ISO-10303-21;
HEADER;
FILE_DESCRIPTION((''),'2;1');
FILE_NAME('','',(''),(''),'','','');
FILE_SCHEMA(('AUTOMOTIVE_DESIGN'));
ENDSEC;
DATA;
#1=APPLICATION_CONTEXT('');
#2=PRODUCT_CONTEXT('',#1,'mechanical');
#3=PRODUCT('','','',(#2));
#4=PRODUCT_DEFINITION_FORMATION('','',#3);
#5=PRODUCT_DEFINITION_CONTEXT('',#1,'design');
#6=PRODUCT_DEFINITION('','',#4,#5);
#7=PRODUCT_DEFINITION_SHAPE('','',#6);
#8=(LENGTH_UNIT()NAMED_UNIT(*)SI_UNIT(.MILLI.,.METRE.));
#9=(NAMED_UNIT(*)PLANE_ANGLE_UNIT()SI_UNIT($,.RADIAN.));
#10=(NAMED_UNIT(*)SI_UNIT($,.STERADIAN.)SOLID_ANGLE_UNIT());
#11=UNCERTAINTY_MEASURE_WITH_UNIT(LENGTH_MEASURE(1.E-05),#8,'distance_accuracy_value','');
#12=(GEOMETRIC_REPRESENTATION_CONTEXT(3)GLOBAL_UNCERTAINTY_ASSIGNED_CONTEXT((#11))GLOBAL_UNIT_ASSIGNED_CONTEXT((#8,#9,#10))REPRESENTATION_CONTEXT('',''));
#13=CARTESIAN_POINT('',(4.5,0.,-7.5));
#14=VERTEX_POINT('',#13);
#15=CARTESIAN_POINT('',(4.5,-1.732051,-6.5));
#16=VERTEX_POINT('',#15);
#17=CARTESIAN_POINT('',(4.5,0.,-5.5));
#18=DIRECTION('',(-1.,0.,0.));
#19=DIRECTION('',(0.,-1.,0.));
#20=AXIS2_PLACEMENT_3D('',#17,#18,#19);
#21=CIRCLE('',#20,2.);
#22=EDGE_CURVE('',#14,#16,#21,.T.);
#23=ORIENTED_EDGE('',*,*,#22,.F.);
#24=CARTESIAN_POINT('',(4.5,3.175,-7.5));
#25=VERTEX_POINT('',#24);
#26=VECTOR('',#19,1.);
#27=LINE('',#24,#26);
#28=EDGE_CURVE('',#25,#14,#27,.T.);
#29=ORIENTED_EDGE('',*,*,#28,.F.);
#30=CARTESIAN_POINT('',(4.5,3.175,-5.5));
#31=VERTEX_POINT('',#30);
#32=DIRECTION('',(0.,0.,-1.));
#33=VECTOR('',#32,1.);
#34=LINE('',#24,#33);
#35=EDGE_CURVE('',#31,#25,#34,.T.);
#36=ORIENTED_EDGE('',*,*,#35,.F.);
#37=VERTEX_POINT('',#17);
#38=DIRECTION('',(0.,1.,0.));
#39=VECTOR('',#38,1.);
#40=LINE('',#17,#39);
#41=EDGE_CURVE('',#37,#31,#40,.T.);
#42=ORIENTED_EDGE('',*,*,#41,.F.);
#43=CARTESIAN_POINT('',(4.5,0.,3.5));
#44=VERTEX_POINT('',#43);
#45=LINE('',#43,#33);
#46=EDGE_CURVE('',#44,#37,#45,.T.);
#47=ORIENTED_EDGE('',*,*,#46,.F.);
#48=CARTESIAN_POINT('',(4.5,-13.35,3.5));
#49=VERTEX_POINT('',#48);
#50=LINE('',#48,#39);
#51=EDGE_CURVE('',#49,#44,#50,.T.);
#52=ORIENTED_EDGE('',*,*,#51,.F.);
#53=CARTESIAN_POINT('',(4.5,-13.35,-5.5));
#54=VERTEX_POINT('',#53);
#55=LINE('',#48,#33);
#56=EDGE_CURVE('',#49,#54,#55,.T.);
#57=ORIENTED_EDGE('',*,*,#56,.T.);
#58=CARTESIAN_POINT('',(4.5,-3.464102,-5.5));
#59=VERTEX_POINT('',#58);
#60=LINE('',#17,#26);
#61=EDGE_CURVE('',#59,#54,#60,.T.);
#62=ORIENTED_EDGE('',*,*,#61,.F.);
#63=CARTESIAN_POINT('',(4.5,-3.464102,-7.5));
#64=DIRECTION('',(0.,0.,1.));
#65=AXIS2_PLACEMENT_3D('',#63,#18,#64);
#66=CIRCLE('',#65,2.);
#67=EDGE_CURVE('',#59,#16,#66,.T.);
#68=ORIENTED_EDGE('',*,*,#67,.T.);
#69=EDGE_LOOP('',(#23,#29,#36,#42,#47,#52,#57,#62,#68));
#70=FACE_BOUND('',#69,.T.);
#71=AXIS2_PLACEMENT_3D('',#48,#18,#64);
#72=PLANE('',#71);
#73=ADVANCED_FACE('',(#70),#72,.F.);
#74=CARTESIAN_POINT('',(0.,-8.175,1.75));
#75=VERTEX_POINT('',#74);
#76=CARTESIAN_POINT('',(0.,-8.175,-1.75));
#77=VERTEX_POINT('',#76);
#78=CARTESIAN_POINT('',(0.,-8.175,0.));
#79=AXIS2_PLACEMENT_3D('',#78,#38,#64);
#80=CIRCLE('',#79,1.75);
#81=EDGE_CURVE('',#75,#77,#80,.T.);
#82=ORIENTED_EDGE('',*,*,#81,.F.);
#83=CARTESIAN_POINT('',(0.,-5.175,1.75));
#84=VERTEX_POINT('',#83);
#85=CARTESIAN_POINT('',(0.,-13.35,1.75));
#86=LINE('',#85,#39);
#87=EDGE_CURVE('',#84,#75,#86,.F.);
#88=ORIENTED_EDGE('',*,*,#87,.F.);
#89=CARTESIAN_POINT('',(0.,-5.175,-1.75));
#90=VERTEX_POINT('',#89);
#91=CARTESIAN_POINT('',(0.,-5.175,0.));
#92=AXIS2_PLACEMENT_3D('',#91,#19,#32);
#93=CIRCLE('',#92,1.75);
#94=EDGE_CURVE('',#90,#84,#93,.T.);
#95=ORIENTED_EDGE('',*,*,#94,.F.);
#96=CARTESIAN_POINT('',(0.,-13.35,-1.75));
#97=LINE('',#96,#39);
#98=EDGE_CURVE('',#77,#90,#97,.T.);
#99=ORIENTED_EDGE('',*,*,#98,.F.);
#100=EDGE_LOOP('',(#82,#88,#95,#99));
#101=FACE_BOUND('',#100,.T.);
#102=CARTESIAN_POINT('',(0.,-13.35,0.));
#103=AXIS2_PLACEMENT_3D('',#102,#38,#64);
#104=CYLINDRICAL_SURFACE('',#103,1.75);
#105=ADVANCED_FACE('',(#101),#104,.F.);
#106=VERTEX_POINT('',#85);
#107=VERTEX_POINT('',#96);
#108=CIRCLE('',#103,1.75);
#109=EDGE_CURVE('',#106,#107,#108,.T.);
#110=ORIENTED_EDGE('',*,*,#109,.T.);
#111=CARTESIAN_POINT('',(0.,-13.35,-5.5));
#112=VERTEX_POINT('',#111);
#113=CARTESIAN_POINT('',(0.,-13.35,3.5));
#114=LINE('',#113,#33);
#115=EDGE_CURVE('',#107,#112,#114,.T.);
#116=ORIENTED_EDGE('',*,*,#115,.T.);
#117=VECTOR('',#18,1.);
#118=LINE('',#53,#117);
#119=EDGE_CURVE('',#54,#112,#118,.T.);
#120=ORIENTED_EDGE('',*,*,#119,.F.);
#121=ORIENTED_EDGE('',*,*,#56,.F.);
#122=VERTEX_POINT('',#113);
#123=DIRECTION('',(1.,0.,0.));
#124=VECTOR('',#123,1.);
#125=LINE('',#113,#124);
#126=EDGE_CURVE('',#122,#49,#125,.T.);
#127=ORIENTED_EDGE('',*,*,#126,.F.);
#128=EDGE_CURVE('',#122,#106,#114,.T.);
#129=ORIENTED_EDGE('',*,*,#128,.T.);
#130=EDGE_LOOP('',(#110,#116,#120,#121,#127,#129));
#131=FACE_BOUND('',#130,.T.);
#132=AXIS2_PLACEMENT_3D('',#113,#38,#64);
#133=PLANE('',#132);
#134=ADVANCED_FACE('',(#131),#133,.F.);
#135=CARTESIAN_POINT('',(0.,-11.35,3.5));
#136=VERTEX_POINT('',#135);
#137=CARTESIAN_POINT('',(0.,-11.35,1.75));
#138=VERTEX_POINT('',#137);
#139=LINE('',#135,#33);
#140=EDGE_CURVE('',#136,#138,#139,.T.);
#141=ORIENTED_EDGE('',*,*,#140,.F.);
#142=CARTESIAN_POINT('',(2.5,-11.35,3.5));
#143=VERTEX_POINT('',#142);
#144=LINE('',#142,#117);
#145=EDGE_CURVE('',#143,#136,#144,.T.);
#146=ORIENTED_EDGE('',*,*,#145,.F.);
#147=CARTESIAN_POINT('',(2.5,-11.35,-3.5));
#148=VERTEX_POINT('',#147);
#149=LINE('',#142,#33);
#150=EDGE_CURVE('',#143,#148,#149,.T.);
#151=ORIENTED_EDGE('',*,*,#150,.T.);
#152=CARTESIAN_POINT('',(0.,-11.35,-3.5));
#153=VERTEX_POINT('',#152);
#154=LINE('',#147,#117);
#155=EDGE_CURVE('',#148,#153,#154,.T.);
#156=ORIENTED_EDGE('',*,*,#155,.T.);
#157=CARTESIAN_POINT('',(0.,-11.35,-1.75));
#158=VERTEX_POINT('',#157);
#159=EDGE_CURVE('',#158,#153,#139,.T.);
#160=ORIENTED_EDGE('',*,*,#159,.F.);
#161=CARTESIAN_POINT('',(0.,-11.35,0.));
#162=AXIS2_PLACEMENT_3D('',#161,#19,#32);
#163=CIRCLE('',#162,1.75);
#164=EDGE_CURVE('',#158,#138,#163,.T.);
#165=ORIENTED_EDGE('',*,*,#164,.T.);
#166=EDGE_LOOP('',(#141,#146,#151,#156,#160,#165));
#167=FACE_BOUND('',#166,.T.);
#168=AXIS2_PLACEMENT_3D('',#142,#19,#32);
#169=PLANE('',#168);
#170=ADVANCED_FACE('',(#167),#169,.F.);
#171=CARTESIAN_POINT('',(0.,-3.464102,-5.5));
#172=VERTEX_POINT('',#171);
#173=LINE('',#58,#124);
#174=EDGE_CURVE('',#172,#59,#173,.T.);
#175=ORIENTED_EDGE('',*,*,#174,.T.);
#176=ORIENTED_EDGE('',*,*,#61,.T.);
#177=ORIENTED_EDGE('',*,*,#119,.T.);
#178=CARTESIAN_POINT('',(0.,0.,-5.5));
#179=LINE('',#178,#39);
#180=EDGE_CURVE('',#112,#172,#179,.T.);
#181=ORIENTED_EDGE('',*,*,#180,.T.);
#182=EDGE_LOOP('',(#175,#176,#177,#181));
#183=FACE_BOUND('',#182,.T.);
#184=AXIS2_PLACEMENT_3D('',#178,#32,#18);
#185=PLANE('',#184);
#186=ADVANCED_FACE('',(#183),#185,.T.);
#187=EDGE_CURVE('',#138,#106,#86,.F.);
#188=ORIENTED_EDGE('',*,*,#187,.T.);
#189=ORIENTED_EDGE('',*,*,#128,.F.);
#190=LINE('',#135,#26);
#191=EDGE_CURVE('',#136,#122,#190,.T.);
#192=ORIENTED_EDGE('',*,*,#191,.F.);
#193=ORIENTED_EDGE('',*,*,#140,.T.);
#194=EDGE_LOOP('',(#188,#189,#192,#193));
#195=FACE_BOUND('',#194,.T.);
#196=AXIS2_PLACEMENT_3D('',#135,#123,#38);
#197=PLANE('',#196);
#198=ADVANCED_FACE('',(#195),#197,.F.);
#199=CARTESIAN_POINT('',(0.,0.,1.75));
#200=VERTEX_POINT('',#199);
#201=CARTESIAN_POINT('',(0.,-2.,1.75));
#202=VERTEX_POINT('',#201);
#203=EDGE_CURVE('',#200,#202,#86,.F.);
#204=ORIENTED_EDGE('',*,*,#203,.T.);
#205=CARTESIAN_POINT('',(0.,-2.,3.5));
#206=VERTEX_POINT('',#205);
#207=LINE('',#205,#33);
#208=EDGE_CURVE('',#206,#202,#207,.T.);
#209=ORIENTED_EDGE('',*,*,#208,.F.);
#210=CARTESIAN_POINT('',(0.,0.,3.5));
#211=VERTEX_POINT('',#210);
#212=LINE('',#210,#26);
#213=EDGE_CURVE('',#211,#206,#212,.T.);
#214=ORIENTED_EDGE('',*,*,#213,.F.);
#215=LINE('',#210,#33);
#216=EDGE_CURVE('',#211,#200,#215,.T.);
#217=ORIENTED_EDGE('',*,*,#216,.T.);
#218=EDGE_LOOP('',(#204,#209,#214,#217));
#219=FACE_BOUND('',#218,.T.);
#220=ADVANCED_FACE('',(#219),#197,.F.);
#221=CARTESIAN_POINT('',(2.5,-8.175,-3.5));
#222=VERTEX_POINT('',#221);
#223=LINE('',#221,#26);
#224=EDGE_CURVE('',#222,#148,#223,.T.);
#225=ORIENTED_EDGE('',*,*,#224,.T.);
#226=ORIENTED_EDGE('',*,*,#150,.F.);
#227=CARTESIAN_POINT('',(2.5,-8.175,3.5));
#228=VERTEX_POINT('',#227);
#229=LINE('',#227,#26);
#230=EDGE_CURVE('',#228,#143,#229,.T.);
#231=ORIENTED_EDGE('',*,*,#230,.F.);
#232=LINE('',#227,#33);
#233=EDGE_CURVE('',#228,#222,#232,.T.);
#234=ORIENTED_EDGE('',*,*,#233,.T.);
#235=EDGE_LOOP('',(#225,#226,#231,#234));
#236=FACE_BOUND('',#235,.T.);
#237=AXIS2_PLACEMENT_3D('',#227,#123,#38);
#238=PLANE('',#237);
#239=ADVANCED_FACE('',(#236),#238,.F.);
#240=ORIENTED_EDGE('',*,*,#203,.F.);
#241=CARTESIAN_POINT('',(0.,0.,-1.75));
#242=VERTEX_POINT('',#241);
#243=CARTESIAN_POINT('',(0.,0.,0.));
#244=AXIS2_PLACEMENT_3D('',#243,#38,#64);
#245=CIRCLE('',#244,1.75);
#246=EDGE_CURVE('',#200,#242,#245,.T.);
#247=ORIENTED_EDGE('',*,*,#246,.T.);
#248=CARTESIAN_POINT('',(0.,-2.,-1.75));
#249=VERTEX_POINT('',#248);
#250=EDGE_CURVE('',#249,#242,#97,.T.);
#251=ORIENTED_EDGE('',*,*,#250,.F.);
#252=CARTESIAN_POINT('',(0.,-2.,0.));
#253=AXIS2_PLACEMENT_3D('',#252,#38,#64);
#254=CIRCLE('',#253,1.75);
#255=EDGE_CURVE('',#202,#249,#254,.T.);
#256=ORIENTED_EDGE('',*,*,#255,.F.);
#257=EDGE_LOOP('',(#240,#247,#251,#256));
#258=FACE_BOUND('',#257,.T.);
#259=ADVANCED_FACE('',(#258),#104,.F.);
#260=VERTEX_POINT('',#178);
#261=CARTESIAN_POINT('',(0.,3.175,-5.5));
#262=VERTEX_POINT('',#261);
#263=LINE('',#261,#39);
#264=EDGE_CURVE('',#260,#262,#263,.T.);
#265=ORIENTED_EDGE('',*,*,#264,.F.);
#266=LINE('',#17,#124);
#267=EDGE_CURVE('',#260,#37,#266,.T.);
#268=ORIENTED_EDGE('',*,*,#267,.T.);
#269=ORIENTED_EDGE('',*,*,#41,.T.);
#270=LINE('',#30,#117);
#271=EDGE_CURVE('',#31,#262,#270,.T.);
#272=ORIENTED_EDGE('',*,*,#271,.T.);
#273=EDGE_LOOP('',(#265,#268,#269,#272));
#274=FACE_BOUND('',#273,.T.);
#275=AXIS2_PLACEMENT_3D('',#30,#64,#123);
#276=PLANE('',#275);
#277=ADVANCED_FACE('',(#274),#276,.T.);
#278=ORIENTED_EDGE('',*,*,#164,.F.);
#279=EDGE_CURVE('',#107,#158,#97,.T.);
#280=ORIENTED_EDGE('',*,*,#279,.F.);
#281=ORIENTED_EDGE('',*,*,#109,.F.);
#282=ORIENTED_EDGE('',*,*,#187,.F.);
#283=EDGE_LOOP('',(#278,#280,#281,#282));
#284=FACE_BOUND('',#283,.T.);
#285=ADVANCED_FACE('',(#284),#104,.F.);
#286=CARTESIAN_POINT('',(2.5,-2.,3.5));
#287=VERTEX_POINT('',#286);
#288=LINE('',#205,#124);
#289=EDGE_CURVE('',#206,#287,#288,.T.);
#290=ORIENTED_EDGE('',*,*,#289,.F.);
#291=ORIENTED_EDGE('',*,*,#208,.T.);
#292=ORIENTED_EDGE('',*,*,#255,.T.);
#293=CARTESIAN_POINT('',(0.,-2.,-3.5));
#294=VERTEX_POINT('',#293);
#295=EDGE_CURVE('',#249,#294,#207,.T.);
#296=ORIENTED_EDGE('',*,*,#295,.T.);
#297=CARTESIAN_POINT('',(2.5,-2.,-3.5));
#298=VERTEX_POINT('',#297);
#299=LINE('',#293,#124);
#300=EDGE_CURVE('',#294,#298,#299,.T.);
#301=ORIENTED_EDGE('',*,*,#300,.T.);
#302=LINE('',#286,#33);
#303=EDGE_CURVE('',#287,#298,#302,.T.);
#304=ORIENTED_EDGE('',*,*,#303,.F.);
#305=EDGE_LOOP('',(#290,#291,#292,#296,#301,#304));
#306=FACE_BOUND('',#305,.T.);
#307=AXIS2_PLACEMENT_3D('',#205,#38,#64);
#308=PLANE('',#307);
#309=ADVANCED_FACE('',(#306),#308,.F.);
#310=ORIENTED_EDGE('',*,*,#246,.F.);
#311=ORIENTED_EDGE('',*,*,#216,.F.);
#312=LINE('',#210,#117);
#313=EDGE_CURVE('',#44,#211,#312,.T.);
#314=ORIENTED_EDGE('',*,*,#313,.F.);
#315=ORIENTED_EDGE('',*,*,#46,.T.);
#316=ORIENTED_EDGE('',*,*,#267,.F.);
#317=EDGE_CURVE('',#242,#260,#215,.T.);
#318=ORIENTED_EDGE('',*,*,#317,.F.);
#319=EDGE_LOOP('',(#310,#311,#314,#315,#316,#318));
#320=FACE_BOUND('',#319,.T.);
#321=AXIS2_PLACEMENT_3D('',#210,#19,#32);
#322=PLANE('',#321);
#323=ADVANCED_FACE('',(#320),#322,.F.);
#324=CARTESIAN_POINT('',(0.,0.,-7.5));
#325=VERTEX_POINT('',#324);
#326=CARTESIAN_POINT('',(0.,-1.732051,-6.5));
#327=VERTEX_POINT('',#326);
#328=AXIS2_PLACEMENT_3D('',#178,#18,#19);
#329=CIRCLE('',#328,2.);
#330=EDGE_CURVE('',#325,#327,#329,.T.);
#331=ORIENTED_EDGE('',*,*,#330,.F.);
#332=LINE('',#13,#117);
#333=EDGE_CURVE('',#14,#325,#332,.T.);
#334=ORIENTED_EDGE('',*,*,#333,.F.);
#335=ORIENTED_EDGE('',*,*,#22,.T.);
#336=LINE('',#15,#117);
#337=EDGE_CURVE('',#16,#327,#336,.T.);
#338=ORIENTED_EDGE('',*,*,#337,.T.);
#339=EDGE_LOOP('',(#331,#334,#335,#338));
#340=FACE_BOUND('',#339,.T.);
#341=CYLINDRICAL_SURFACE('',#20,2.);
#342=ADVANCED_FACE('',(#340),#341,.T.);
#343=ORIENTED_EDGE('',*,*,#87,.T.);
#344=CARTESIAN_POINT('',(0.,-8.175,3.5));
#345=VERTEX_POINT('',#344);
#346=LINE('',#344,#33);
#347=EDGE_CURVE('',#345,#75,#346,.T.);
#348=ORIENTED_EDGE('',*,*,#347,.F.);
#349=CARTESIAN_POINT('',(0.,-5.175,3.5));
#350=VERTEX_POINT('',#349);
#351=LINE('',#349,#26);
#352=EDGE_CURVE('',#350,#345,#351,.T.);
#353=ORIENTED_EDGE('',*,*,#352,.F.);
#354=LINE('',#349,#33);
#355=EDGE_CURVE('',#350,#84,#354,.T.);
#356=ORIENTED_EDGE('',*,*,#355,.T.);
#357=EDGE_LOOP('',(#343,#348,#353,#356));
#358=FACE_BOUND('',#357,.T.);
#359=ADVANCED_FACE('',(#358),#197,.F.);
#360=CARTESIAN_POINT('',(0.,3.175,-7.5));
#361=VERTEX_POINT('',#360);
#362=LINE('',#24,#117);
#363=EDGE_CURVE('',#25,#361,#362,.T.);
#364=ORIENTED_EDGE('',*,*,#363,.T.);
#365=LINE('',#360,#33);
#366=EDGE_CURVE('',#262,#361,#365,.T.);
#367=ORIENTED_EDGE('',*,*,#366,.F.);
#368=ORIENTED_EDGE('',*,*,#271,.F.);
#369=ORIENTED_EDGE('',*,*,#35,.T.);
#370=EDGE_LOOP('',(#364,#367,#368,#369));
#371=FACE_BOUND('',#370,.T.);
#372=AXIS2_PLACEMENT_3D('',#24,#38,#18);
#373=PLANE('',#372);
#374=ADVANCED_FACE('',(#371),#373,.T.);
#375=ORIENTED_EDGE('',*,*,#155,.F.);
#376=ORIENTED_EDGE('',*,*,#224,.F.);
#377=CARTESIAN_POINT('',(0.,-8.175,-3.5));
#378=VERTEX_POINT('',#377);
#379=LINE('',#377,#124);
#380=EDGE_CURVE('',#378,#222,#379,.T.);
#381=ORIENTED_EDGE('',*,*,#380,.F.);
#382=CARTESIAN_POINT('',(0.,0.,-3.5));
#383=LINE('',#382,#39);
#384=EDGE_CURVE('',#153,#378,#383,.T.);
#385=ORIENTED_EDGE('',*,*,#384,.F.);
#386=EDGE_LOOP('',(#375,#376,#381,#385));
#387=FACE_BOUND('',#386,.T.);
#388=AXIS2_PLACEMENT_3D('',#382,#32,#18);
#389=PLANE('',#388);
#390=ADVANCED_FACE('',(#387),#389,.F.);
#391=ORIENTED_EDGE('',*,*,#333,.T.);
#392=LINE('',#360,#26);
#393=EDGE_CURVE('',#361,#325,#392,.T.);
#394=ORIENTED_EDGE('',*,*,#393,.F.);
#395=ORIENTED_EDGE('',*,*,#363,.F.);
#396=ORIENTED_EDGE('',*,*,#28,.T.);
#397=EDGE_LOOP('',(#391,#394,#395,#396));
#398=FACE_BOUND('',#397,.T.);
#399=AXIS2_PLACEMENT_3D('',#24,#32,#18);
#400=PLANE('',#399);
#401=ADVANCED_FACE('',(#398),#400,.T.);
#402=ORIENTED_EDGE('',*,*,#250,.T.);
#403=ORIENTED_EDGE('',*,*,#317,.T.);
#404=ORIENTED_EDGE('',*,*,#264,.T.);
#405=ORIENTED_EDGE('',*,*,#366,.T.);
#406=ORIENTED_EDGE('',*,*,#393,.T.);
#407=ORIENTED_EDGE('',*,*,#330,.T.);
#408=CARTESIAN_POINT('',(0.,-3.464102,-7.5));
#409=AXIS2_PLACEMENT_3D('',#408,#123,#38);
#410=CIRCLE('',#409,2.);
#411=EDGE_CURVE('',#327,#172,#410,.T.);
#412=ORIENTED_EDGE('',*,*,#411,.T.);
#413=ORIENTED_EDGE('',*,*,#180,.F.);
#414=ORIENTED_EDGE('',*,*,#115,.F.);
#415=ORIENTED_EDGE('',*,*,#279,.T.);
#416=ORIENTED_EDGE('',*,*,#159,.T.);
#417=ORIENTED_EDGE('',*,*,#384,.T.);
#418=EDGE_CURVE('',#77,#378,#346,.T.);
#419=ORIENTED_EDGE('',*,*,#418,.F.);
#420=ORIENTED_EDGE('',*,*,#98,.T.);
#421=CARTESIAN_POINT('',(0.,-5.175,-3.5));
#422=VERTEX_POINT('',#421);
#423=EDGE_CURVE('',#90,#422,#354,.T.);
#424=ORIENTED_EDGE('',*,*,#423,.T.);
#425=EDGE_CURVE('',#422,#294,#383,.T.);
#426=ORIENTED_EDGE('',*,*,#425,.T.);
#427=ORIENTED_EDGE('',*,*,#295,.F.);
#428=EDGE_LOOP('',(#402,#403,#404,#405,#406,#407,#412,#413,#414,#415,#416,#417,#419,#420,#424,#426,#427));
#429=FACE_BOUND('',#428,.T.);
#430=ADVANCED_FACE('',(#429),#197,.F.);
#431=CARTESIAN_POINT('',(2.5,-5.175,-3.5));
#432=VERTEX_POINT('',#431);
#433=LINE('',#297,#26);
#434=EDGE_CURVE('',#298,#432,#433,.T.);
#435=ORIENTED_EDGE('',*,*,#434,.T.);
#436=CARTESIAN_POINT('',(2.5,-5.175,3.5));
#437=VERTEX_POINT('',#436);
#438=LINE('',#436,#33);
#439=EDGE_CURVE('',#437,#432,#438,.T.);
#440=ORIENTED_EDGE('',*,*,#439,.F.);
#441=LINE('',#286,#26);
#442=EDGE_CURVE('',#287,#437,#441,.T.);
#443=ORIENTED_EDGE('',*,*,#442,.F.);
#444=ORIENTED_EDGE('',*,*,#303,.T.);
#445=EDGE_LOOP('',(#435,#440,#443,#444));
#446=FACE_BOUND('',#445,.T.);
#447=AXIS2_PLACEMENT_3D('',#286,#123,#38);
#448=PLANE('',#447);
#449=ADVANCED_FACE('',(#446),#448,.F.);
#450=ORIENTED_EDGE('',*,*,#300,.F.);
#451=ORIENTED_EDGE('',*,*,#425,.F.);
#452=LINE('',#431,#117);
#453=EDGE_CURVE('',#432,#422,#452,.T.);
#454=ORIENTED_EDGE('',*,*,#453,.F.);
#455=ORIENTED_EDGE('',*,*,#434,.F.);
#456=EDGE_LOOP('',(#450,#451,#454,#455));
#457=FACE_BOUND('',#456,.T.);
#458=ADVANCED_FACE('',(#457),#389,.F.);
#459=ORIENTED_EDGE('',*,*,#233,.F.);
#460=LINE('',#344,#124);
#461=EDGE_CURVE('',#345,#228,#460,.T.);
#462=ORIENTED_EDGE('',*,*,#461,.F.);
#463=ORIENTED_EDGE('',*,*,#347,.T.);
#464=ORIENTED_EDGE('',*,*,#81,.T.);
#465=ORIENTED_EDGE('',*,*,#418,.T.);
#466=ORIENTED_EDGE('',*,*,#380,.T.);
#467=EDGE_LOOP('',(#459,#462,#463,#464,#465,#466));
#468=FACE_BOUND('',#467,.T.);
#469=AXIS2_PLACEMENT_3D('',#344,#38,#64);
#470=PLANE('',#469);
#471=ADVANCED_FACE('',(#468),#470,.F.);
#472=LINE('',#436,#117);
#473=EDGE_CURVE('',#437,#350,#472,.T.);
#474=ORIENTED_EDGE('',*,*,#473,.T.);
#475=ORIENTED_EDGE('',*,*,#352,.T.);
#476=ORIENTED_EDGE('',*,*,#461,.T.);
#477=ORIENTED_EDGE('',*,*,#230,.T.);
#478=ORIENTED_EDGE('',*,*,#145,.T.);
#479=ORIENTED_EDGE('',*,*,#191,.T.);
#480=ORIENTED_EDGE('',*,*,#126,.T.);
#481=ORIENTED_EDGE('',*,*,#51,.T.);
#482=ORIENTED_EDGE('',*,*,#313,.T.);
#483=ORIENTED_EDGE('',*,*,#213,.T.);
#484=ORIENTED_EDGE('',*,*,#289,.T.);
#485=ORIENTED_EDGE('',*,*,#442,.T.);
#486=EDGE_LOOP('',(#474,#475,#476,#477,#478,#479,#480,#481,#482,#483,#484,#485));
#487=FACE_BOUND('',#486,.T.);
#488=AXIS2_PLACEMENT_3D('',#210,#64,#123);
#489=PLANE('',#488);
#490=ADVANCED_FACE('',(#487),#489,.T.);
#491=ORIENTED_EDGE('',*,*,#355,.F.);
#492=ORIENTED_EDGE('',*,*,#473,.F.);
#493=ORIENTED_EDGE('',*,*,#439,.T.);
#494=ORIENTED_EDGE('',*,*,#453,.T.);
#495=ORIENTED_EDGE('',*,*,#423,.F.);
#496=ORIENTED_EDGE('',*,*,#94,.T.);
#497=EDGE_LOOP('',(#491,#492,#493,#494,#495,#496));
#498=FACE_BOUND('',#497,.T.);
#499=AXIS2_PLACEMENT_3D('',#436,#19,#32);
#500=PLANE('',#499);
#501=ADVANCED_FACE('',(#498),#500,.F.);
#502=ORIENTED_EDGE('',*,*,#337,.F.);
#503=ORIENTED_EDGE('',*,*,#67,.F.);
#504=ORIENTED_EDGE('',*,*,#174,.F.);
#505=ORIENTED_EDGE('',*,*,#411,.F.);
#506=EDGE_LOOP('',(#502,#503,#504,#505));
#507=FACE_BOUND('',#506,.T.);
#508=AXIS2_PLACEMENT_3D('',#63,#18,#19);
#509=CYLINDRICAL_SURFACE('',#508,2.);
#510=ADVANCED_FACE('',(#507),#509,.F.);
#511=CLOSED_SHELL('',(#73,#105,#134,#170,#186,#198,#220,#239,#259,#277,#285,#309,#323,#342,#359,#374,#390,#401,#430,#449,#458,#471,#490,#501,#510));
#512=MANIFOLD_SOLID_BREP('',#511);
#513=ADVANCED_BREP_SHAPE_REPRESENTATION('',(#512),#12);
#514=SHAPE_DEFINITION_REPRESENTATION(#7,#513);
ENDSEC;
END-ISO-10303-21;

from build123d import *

# Parameters (mm, degrees)
BOSS_EXTRUDE3_DEPTH = 3.5
SKETCH6_W           = 4.5
SKETCH6_H           = 13.35
BOSS_EXTRUDE4_DEPTH = 2
SKETCH7_R           = 1.75
CUT_EXTRUDE2_DEPTH  = 16.123574313
BOSS_EXTRUDE7_DEPTH = 4.5
FILLET1_R           = 2


with BuildPart() as part:
    # Sketch5 → Boss-Extrude3 (new, symmetric)
    with BuildSketch(Plane.XY):
        Polygon((0, 0), (4.5, 0), (4.5, -13.35), (0, -13.35), (0, -11.35), (2.5, -11.35), (2.5, -8.175), (0, -8.175), (0, -5.175), (2.5, -5.175), (2.5, -2), (0, -2), align=None)
    extrude(amount=BOSS_EXTRUDE3_DEPTH, both=True)

    # Sketch6 → Boss-Extrude4 (add)
    with BuildSketch(Plane(origin=(0, 0, -3.5), x_dir=(-1, 0, 0), z_dir=(0, 0, -1))):
        with Locations((-2.25, -6.675)):
            Rectangle(SKETCH6_W, SKETCH6_H)
    extrude(amount=BOSS_EXTRUDE4_DEPTH)

    # Sketch7 → Cut-Extrude2 (cut, through all)
    with BuildSketch(Plane(origin=(0, 0, 0), x_dir=(1, 0, 0), z_dir=(0, 1, 0))):
        Circle(SKETCH7_R)
    extrude(amount=-CUT_EXTRUDE2_DEPTH, mode=Mode.SUBTRACT)

    # Sketch9 → Boss-Extrude7 (add, through all)
    with BuildSketch(Plane.ZY):
        with BuildLine():
            Line((-7.5, 3.175), (-5.5, 3.175))
            Line((-5.5, 3.175), (-5.5, 0))
            Line((-5.5, 0), (-5.5, -2))
            ThreePointArc((-5.5, -2), (-6.914213562, -1.414213562), (-7.5, 0))
            Line((-7.5, 0), (-7.5, 3.175))
        make_face()
    extrude(amount=-BOSS_EXTRUDE7_DEPTH)

    # Fillet1
    fillet1_edges = [part.edges().sort_by_distance(p)[0] for p in [
        (2.25, -2, -5.5),
    ]]
    fillet(fillet1_edges, radius=FILLET1_R)


solid = part.part
